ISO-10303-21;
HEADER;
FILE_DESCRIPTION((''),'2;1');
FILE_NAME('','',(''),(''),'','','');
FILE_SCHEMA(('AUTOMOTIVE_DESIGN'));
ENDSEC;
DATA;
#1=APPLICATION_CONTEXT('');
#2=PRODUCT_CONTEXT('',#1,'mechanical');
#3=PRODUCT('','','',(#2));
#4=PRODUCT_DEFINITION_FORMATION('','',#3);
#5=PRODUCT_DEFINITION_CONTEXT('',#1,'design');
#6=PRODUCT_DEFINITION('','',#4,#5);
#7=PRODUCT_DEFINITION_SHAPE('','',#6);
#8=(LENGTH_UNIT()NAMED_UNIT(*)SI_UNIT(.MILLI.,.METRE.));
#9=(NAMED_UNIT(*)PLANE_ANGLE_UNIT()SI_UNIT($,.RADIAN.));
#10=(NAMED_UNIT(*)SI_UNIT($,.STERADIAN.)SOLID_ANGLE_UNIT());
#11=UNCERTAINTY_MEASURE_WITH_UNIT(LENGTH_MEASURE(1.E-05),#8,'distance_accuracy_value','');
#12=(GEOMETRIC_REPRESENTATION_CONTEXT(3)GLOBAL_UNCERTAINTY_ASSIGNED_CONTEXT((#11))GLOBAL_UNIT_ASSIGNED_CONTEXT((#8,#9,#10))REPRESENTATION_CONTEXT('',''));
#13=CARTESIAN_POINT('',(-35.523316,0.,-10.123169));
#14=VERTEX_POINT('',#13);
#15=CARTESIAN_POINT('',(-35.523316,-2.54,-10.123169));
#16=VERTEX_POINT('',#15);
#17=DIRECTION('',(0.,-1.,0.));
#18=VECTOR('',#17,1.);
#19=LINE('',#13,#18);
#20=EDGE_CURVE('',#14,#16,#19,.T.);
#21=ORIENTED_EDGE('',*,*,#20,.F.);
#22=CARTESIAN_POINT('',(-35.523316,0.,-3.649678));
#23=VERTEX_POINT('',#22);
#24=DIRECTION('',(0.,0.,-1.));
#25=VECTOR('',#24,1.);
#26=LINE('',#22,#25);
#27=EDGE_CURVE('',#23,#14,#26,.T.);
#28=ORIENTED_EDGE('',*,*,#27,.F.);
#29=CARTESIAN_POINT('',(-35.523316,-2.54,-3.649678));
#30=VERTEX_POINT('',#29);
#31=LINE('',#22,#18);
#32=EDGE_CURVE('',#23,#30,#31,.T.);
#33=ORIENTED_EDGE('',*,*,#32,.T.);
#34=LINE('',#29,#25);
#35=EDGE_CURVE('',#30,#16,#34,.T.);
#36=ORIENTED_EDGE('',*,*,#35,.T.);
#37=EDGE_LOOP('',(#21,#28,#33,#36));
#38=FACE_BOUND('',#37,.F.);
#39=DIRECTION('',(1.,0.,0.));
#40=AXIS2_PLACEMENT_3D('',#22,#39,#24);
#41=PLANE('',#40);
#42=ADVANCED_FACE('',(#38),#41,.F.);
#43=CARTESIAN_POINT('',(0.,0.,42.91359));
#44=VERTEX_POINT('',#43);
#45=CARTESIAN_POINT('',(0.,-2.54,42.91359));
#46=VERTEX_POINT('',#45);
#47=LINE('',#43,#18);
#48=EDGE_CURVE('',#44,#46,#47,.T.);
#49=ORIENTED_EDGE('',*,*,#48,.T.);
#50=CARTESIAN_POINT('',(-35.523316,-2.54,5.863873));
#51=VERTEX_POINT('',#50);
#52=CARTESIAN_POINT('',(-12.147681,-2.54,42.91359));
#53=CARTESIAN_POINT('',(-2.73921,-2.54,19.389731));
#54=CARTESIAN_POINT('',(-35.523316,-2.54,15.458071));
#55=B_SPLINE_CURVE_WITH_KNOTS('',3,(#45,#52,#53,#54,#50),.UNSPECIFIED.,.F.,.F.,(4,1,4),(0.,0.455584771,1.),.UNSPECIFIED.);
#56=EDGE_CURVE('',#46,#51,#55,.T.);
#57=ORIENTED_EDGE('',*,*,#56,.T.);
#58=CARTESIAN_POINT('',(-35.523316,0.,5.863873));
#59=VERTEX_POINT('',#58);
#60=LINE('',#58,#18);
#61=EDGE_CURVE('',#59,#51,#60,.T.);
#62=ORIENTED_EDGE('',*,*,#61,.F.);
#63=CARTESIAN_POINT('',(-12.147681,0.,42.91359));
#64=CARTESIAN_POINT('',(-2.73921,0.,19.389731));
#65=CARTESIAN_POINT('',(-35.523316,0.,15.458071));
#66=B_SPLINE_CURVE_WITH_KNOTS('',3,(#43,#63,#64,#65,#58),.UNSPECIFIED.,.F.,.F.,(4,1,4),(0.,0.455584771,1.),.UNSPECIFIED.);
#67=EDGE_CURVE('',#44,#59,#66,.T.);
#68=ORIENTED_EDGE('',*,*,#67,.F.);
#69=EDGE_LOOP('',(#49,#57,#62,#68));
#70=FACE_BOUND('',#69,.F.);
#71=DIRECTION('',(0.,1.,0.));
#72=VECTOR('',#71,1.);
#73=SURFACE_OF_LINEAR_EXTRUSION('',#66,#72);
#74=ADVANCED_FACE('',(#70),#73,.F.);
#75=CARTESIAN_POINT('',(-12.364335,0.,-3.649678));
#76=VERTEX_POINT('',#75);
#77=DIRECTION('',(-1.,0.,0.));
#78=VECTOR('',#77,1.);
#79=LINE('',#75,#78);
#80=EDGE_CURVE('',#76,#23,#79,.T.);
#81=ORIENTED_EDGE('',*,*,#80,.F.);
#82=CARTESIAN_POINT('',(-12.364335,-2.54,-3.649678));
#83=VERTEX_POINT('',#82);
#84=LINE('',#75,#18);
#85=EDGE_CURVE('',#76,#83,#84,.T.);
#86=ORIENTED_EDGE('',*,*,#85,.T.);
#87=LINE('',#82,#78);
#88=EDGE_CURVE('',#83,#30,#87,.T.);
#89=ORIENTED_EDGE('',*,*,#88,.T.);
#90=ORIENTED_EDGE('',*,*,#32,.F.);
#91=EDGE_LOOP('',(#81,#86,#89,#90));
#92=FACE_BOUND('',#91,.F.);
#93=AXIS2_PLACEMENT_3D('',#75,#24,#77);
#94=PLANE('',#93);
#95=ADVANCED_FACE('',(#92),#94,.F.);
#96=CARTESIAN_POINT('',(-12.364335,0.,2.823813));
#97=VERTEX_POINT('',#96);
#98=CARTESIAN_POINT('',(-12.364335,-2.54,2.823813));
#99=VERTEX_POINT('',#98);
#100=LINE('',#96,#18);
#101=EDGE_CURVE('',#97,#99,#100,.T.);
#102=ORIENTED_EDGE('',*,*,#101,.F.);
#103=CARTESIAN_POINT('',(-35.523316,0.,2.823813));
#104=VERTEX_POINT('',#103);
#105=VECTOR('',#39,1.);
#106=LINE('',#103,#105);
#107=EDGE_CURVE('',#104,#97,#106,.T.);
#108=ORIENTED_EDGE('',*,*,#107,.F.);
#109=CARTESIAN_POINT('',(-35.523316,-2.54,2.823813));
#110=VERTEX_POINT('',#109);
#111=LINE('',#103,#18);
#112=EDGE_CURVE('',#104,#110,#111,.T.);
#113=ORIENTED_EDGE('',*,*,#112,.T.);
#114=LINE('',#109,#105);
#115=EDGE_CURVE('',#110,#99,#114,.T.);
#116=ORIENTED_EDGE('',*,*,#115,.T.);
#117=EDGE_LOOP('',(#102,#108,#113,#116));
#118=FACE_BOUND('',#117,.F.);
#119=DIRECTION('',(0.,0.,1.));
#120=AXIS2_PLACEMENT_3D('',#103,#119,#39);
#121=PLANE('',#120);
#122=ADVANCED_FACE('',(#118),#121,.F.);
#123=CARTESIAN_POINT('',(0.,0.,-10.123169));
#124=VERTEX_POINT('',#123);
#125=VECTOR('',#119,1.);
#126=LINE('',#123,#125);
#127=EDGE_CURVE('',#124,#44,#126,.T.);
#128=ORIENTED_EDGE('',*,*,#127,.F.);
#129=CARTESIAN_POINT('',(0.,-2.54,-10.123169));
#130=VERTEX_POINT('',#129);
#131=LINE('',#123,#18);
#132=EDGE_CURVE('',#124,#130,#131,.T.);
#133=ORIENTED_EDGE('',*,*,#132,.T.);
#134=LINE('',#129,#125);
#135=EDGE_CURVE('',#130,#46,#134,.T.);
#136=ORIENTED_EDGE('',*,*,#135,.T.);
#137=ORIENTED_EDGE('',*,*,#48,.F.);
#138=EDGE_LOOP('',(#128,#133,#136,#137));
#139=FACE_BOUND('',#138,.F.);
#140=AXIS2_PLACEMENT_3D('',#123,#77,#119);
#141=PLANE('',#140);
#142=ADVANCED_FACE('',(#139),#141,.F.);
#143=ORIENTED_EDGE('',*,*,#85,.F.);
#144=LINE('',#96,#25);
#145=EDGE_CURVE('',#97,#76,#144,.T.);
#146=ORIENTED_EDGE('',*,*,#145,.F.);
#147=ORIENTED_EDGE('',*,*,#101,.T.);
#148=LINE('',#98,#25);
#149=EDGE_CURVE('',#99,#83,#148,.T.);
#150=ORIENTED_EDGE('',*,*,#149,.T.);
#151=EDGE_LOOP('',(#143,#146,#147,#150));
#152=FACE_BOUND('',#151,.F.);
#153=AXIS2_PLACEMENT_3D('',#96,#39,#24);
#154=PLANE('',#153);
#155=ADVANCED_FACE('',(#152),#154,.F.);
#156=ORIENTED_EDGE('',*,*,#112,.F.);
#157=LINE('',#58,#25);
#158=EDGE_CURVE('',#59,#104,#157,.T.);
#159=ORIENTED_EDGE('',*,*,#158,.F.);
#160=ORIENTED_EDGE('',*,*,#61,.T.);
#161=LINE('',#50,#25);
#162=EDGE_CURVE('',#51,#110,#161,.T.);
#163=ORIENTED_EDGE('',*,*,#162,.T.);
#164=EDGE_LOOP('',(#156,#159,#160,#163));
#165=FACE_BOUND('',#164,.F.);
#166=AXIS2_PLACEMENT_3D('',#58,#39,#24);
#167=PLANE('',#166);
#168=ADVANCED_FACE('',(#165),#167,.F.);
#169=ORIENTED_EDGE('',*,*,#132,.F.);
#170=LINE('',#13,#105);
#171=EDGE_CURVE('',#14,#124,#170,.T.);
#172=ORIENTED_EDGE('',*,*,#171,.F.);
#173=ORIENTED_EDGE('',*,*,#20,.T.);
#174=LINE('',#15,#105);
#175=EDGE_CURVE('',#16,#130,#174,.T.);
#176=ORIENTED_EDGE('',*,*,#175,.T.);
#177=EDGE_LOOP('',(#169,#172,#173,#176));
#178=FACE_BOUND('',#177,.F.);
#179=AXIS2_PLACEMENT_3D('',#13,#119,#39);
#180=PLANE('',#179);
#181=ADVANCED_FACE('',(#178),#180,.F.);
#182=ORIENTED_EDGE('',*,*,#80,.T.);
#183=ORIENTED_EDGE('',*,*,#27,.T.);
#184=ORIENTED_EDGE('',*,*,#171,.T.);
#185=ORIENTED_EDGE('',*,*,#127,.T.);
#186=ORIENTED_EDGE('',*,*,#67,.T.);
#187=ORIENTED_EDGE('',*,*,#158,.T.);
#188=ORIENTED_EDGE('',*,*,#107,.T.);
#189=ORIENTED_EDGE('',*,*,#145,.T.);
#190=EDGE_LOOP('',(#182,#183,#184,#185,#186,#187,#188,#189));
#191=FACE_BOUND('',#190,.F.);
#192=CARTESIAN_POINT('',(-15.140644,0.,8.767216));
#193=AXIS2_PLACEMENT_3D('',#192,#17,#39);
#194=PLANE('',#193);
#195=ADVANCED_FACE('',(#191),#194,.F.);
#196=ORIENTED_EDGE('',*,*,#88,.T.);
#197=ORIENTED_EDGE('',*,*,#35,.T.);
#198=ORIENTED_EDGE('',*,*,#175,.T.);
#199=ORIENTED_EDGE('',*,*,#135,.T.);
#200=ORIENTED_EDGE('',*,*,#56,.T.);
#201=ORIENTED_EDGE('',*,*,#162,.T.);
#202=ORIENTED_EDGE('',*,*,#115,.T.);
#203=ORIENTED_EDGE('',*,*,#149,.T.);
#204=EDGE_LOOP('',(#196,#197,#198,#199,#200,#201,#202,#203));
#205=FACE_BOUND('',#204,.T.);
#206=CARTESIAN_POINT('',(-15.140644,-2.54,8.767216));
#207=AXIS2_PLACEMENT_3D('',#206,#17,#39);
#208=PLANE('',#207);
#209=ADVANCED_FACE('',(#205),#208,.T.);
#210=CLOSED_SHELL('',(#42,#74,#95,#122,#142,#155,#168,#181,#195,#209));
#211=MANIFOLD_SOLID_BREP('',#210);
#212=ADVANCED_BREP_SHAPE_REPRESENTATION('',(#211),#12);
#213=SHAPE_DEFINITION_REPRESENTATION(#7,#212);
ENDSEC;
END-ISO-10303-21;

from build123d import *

# Parameters (mm, degrees)
F1_DEPTH = 2.54


with BuildPart() as f1:
    # F0 (on Front) → F1 (new body)
    with BuildSketch(Plane.XZ):
        with BuildLine():
            Line((0, -10.1231690496), (0, 42.9135896266))
            add(Edge.make_bspline(
                [(0, 42.9135896266), (-12.1476806197, 42.9135896266), (-2.739209771, 19.3897308122), (-35.5233164852, 15.458070993), (-35.5233164852, 5.8638730506)],
                knots=[0, 0, 0, 0, 0.4555847707, 1, 1, 1, 1], degree=3))
            Line((-35.5233164852, 5.8638730506), (-35.5233164852, 2.8238131199))
            Line((-35.5233164852, 2.8238131199), (-12.3643353581, 2.8238131199))
            Line((-12.3643353581, 2.8238131199), (-12.3643353581, -3.6496780813))
            Line((-12.3643353581, -3.6496780813), (-35.5233164852, -3.6496780813))
            Line((-35.5233164852, -3.6496780813), (-35.5233164852, -10.1231690496))
            Line((-35.5233164852, -10.1231690496), (0, -10.1231690496))
        make_face()
    extrude(amount=F1_DEPTH)


solid = f1.part
